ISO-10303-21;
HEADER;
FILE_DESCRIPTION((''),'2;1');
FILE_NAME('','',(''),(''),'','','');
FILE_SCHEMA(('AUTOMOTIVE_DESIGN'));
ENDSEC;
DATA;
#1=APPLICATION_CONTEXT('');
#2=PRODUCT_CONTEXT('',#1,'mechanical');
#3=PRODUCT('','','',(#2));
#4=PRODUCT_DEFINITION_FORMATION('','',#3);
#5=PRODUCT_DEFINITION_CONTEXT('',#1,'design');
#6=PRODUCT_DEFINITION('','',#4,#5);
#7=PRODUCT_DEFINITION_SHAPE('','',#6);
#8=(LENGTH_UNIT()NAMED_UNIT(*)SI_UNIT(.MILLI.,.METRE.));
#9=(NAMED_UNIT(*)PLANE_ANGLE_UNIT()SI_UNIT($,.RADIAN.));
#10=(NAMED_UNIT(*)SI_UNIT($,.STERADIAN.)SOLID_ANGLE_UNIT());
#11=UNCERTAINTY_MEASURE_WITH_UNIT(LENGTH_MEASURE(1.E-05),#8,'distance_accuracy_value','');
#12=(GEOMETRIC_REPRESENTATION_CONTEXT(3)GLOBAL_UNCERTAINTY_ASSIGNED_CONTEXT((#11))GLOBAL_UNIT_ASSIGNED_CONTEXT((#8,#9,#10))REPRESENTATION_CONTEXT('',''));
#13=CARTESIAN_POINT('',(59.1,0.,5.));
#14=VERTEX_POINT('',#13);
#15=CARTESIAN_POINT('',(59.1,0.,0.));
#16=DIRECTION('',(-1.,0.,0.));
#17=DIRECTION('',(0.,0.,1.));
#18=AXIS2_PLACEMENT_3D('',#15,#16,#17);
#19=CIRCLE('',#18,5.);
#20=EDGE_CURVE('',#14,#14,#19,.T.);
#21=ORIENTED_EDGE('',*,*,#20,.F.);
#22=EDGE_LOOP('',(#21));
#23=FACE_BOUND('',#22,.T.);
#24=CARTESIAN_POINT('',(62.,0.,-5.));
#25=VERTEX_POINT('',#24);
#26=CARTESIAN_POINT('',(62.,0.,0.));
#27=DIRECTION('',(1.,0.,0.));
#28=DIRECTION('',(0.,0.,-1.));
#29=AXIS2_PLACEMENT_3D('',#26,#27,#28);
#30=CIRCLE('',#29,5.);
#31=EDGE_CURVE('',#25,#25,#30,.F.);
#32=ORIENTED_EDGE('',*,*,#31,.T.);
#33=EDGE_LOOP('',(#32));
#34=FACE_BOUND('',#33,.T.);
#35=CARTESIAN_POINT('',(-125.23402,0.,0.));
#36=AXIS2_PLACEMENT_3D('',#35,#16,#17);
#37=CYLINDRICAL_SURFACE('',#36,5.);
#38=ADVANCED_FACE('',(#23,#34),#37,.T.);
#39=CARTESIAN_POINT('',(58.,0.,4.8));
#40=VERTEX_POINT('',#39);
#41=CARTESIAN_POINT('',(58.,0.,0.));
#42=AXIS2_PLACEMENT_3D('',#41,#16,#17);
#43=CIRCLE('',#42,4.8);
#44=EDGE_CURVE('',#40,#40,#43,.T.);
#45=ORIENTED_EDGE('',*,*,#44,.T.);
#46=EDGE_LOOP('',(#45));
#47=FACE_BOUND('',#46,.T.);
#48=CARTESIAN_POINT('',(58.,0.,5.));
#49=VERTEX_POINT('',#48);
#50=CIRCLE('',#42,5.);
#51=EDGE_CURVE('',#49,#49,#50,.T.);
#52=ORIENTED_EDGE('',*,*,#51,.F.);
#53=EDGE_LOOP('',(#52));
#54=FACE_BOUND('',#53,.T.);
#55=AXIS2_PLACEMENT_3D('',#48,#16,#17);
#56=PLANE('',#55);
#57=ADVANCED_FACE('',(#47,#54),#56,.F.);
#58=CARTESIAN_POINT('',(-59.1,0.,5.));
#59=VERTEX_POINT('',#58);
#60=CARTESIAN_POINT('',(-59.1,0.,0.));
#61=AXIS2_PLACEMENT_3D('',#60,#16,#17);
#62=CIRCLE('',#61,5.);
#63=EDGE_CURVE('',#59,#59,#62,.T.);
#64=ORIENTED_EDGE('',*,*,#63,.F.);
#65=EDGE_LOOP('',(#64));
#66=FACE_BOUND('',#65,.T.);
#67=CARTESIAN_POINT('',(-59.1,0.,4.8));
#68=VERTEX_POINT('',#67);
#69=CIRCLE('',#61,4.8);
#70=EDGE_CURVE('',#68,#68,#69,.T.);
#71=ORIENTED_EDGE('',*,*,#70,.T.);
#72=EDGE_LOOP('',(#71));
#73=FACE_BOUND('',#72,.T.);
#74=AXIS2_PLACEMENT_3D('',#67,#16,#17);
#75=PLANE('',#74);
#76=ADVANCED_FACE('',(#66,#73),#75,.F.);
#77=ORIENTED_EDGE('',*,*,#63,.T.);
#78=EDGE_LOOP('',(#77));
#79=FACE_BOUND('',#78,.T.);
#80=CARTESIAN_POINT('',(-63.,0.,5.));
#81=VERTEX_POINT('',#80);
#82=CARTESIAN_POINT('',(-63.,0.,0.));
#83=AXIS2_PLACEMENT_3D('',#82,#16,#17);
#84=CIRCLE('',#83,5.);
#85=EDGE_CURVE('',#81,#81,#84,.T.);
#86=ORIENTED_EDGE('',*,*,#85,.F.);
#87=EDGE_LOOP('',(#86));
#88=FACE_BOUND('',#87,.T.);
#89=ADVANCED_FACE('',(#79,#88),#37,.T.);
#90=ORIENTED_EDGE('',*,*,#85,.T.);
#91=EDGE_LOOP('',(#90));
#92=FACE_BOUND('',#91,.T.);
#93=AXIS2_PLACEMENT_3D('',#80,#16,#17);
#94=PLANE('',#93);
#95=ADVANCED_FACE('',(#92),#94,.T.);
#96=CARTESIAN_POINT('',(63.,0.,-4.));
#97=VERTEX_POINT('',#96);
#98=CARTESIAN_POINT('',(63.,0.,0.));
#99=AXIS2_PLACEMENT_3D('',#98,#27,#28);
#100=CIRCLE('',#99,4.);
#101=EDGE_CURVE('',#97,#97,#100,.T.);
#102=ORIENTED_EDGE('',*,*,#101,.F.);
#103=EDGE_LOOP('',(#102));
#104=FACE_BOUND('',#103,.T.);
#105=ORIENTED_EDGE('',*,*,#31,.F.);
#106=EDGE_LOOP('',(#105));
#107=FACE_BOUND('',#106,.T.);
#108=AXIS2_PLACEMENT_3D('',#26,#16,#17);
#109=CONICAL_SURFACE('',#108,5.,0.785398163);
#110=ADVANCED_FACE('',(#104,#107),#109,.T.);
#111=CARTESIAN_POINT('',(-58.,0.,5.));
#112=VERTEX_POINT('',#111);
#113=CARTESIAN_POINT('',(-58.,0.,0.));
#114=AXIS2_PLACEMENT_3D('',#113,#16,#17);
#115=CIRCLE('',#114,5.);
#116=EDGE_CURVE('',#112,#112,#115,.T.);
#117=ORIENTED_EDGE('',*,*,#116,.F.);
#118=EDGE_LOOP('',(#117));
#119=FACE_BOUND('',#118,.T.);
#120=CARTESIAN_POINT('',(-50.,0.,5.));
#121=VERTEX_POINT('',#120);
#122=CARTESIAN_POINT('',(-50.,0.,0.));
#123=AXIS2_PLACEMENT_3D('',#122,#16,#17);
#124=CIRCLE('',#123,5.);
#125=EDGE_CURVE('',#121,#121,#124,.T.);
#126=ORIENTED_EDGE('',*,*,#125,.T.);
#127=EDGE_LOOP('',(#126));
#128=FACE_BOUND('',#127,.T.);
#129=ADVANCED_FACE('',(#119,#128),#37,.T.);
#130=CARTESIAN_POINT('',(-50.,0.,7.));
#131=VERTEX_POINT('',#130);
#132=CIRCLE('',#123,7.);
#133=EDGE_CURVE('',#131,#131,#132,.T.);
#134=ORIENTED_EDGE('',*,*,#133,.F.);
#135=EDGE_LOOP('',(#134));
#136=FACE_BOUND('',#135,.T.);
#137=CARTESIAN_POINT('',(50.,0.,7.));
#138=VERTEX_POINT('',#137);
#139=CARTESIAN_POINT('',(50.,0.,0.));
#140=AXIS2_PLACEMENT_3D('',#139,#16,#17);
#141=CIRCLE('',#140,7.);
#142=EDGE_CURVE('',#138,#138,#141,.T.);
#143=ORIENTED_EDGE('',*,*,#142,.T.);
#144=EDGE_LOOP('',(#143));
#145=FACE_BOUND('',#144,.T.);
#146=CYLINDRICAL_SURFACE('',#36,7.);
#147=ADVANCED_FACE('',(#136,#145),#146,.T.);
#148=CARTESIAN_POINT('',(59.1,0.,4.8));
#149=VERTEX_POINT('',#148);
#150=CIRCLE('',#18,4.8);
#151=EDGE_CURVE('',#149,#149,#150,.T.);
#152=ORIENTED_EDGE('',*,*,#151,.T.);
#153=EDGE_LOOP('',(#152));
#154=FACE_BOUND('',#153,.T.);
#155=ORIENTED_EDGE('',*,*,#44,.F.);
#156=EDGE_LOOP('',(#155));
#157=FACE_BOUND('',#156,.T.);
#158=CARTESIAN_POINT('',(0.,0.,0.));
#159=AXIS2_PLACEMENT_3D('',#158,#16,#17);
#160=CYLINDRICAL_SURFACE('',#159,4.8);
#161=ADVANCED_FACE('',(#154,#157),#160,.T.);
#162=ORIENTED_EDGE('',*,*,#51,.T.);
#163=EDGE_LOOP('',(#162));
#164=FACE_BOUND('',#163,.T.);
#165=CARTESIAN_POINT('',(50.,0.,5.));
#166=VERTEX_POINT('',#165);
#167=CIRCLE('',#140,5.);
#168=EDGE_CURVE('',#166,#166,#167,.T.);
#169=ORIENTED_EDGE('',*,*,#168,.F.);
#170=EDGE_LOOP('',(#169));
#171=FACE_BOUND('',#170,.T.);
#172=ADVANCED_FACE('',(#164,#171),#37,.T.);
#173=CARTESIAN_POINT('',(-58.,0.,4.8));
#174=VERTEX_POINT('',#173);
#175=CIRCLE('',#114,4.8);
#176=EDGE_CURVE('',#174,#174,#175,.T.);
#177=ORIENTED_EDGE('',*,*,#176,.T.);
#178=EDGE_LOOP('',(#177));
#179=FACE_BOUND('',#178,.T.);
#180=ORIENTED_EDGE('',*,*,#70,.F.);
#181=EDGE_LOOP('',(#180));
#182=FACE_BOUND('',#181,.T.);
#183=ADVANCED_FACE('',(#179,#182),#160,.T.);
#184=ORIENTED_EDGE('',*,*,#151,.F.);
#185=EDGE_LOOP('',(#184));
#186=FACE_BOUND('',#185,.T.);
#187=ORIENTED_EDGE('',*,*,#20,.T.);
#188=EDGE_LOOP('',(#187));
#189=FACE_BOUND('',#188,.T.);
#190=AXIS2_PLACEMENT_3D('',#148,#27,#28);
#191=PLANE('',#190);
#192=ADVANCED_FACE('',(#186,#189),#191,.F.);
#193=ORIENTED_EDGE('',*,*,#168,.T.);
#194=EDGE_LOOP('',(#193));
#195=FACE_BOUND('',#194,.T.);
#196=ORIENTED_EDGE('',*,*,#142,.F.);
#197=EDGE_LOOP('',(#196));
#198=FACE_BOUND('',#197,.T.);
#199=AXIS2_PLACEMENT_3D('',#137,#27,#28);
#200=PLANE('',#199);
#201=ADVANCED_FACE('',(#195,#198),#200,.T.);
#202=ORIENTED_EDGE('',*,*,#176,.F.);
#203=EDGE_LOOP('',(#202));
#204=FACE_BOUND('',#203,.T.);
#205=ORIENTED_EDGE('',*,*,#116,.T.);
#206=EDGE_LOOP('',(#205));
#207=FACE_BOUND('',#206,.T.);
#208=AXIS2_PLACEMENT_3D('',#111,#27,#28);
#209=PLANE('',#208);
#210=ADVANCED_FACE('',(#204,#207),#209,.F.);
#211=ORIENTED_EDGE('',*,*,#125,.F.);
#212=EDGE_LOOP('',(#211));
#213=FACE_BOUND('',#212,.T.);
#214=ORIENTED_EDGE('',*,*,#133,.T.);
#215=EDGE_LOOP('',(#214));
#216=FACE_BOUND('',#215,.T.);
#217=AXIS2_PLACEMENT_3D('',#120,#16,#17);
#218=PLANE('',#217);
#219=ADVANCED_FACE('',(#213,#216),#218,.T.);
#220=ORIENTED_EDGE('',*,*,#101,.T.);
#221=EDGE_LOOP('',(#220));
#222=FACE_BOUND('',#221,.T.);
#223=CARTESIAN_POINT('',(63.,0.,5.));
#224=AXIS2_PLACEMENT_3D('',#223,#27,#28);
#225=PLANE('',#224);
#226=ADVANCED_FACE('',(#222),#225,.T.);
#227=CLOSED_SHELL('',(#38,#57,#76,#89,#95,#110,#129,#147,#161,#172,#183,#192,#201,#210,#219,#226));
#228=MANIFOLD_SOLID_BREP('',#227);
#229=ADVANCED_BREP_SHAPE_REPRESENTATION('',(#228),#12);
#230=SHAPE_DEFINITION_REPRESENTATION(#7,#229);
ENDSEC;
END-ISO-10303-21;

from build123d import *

# Parameters (mm, degrees)
SKIZZE2_W  = 1.1
SKIZZE2_H  = 0.2
FASE1_SIZE = 1


with BuildPart() as part:
    # Skizze1 → Rotation1 (revolve)
    with BuildSketch(Plane(origin=(0, 0, 0), x_dir=(1, 0, 0), z_dir=(0, 1, 0))):
        Polygon((-63, -5), (-50, -5), (-50, -7), (50, -7), (50, -5), (63, -5), (63, 0), (-63, 0), align=None)
    revolve(axis=Axis((-125.234019669, 0, 0), (1, 0, 0)))

    # Skizze2 → Schnitt-Rotation1 (revolve, cut)
    with BuildSketch(Plane(origin=(0, 0, 0), x_dir=(1, 0, 0), z_dir=(0, 1, 0))):
        with Locations((58.55, -4.9)):
            Rectangle(SKIZZE2_W, SKIZZE2_H)
        with Locations((-58.55, -4.9)):
            Rectangle(SKIZZE2_W, SKIZZE2_H)
    revolve(axis=Axis((0, 0, 0), (1, 0, 0)), mode=Mode.SUBTRACT)

    # Fase1
    fase1_edges = [part.edges().sort_by_distance(p)[0] for p in [
        (63, 0, -5),
    ]]
    chamfer(fase1_edges, length=FASE1_SIZE)


solid = part.part
